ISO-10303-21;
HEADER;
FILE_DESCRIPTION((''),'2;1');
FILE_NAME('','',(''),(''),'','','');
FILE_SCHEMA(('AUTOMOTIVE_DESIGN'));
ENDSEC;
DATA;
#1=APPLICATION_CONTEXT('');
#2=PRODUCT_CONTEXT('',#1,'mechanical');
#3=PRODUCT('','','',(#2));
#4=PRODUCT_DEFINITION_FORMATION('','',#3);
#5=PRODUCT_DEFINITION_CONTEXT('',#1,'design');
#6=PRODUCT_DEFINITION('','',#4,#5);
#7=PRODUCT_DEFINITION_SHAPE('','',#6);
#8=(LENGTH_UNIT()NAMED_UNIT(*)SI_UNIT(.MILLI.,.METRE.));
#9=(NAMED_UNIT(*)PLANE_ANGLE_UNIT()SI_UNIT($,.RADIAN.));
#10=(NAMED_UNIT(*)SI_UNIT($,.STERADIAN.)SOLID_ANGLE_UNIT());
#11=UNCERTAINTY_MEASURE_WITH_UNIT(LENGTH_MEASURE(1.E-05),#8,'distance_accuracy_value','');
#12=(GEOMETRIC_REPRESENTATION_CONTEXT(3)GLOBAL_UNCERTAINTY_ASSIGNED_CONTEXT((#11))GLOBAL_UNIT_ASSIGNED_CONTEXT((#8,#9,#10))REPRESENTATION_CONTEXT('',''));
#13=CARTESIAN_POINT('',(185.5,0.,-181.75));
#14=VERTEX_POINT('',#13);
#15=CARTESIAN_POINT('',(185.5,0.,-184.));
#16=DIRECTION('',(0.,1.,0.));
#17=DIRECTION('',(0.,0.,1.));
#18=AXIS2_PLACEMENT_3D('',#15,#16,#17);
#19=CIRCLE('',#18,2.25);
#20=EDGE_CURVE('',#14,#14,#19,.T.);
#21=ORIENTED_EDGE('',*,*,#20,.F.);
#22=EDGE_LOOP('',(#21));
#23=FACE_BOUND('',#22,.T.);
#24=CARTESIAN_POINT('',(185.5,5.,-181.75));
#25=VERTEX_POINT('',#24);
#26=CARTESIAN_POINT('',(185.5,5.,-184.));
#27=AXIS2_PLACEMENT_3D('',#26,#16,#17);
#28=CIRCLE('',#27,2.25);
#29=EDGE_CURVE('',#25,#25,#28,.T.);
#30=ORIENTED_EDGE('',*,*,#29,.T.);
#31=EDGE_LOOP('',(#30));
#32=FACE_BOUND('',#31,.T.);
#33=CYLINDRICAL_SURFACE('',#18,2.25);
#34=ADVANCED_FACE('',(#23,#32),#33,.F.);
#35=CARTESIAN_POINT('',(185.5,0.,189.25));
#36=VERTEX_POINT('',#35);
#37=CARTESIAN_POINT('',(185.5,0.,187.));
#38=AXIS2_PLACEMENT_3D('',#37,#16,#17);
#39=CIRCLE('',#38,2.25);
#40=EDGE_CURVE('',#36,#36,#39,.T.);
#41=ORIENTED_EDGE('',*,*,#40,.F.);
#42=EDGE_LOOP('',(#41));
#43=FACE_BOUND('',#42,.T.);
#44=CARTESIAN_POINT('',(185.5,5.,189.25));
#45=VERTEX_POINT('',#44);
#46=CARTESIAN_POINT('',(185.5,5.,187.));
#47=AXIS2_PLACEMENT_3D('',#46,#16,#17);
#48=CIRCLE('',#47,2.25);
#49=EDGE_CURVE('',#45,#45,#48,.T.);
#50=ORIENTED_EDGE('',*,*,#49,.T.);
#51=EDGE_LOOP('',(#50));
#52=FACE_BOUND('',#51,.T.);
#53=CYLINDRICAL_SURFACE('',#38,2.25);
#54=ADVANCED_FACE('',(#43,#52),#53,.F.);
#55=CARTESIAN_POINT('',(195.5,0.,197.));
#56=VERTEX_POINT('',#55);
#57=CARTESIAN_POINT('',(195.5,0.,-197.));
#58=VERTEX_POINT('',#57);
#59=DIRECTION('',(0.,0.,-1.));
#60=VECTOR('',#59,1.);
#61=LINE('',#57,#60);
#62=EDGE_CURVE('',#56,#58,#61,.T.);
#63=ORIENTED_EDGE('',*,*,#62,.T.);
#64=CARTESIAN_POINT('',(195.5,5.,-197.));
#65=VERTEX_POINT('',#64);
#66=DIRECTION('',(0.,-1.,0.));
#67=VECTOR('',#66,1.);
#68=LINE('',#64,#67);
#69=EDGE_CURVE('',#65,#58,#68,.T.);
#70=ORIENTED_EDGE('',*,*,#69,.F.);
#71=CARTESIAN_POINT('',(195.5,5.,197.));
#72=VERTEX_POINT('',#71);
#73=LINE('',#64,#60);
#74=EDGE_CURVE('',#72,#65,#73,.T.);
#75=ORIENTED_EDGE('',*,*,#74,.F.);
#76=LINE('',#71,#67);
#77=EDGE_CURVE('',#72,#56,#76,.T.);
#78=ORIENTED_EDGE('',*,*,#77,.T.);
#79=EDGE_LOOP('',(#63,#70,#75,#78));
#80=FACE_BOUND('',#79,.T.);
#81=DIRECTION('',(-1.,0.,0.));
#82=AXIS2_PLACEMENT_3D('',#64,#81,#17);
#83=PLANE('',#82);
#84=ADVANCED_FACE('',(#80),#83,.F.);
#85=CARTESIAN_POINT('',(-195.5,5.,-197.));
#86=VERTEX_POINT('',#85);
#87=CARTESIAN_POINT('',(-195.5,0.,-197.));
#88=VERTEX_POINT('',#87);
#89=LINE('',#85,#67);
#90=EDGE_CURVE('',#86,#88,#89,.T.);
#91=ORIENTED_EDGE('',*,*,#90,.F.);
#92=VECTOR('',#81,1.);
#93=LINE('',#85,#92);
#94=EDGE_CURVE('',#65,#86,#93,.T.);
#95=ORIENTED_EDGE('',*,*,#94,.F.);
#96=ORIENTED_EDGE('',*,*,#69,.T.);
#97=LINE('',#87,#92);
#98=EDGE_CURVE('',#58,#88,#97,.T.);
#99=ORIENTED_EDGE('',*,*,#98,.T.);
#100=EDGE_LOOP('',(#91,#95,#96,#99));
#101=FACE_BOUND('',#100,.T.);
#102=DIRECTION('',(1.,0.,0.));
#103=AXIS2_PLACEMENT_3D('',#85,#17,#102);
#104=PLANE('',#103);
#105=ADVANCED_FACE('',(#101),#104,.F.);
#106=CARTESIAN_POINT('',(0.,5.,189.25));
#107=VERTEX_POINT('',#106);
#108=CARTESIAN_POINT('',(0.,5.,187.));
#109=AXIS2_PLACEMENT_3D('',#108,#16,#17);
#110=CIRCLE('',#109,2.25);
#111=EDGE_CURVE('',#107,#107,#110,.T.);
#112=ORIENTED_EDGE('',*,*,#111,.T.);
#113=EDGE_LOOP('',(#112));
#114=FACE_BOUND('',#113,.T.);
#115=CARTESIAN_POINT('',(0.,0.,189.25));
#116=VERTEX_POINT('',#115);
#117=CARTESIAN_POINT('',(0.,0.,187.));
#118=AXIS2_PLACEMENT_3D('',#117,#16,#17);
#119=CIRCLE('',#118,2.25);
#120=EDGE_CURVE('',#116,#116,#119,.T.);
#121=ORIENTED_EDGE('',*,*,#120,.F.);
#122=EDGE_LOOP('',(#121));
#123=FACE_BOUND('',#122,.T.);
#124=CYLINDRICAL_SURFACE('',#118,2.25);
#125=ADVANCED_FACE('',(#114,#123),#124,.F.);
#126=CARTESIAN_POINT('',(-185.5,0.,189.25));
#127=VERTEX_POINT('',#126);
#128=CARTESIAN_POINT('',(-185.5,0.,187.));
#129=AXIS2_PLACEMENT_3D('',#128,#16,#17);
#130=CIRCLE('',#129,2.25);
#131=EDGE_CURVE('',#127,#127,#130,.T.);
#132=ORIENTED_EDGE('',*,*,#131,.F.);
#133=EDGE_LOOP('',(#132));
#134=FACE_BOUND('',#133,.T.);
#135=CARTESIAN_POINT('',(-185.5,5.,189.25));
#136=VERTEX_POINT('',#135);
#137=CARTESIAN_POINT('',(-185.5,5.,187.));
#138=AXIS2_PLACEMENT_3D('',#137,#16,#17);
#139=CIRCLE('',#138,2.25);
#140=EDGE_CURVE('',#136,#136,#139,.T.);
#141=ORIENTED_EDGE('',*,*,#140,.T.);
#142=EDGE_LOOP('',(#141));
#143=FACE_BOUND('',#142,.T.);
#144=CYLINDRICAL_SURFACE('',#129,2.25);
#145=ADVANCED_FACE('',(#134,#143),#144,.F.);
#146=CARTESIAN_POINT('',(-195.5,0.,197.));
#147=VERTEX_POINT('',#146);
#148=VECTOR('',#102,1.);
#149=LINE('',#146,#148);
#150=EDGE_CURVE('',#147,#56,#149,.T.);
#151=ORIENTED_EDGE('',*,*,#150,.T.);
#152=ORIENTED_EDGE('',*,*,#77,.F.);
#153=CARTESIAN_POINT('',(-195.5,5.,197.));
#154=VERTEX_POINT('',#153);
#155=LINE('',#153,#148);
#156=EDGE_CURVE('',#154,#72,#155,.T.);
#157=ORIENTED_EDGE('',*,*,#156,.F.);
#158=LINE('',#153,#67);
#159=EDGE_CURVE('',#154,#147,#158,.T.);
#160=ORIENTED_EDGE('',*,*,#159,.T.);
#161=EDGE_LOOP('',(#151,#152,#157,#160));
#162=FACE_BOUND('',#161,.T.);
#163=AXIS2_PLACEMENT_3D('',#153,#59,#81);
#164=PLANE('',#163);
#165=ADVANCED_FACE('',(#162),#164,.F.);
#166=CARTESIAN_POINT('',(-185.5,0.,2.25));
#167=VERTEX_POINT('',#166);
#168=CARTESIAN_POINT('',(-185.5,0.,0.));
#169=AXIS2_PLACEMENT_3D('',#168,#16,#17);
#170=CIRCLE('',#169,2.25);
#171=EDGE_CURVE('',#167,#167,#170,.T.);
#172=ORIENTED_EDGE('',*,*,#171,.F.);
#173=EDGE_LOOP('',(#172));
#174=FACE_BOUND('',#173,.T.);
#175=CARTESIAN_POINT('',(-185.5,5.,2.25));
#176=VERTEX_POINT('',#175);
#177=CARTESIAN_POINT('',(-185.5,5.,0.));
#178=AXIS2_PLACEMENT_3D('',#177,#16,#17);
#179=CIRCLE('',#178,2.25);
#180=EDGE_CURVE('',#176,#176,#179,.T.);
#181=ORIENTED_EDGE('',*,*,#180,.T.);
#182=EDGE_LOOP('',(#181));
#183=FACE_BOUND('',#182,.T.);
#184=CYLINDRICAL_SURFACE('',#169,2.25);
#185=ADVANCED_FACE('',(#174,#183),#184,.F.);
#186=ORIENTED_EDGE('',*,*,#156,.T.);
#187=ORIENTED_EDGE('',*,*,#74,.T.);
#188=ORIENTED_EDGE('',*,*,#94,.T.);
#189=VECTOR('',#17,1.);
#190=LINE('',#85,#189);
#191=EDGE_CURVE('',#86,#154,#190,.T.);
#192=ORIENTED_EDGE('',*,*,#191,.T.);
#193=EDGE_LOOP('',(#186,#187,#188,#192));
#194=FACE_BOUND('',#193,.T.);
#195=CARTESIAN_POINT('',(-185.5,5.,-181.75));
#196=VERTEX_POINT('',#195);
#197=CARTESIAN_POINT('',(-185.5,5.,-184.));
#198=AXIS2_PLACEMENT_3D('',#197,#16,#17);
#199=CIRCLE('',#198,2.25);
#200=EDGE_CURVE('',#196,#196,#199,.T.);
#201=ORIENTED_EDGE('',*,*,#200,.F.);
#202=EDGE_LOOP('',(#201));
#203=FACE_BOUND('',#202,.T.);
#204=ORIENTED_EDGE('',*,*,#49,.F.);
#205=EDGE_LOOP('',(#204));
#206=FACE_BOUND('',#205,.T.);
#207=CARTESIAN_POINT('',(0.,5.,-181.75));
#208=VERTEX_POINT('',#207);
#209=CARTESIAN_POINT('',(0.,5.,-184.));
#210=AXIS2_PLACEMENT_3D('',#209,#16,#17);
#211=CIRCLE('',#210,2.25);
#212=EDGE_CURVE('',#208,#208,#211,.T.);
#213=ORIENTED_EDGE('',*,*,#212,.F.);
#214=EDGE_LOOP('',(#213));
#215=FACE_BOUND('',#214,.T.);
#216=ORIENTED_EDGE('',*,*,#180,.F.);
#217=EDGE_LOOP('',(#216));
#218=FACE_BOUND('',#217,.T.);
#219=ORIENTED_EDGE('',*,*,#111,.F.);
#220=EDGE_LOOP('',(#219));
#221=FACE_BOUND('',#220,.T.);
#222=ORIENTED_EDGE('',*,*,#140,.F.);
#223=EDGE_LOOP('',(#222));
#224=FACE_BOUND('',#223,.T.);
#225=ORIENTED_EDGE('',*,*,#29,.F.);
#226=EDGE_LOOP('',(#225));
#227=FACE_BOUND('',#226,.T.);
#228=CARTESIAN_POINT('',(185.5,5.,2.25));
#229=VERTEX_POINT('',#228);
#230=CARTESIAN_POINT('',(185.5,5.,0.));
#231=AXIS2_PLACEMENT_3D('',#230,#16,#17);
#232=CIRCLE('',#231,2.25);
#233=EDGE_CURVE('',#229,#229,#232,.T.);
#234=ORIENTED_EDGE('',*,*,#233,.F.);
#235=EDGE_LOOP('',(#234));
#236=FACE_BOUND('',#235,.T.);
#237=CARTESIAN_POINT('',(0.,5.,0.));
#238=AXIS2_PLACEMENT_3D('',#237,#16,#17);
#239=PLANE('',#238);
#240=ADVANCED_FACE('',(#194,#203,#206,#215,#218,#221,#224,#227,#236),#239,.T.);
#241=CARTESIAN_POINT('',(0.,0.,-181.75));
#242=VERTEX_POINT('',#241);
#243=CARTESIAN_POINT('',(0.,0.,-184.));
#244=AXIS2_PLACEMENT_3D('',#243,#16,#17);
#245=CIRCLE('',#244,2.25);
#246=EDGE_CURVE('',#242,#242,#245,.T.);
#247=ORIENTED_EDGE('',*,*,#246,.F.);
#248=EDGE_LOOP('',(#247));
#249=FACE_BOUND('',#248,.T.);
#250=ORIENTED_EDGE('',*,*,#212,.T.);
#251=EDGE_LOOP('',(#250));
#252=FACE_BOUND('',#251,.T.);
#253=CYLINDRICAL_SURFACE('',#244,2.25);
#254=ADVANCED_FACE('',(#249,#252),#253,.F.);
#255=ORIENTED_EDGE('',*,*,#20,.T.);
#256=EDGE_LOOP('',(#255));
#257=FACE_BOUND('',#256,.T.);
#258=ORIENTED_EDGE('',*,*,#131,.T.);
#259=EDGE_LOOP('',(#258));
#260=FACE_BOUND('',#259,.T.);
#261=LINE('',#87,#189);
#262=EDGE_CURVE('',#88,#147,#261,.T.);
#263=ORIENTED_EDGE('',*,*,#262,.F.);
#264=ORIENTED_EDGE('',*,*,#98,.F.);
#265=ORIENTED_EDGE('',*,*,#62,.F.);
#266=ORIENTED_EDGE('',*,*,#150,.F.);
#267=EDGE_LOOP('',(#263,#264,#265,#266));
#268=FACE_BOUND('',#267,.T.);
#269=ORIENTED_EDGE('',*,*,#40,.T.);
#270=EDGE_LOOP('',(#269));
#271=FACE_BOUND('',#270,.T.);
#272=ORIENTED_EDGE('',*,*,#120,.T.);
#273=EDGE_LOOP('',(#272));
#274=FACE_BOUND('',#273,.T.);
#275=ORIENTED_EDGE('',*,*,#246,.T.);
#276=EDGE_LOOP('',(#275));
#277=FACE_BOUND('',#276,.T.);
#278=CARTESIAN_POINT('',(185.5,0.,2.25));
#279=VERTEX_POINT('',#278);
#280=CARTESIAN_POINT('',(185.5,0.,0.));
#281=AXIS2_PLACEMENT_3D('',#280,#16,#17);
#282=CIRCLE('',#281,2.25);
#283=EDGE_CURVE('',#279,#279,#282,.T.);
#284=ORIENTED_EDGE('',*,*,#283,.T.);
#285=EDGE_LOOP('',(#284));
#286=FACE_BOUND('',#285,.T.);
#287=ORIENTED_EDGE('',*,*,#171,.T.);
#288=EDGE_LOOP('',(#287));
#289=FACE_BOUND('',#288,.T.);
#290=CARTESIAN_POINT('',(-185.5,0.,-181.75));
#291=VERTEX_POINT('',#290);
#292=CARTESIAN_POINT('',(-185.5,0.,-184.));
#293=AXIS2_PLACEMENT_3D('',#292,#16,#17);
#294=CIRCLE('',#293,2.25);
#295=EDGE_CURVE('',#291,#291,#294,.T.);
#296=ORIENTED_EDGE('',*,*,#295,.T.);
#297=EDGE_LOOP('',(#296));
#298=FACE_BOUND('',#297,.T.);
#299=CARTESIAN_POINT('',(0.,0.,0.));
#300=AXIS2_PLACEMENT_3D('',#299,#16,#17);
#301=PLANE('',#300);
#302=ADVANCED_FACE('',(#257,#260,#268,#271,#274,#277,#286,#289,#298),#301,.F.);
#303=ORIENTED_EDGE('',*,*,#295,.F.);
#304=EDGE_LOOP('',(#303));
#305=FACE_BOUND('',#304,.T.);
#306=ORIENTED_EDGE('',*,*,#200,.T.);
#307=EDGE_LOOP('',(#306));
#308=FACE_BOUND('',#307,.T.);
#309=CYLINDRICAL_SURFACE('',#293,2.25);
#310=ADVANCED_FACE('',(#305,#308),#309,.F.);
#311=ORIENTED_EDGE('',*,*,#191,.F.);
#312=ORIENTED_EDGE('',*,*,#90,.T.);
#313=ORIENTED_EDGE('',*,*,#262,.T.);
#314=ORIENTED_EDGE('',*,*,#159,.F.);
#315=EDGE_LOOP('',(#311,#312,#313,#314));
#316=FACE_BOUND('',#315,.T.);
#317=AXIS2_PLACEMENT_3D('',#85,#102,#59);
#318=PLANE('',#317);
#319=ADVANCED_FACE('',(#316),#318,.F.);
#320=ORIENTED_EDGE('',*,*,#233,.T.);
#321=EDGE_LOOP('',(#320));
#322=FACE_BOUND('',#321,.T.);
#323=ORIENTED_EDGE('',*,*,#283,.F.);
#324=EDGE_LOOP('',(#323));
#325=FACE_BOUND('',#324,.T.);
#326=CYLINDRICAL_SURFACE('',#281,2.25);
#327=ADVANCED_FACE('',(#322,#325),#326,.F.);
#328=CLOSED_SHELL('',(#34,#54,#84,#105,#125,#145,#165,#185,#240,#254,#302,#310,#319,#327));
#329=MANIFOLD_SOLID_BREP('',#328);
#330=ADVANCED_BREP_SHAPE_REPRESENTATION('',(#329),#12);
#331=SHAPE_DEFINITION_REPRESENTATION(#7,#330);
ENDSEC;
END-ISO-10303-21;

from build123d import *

# Parameters (mm, degrees)
SKETCH_1_W          = 391
SKETCH_1_H          = 394
EXTRUDE_1_DEPTH     = 5
SKETCH_2_R          = 2.25
CUT_EXTRUDE_1_DEPTH = 278.586473013


with BuildPart() as part:
    # 草圖1 → 填料-伸長1 (new body)
    with BuildSketch(Plane(origin=(0, 0, 0), x_dir=(1, 0, 0), z_dir=(0, 1, 0))):
        Rectangle(SKETCH_1_W, SKETCH_1_H)
    extrude(amount=EXTRUDE_1_DEPTH)

    # 草圖2 → 除料-伸長1 (cut, through all)
    with BuildSketch(Plane(origin=(0, 5, 0), x_dir=(1, 0, 0), z_dir=(0, 1, 0))):
        with Locations(Location((-185.5, 184, 0), (0, 0, 270))):
            Circle(SKETCH_2_R)
        with Locations(Location((185.5, 184, 0), (0, 0, 270))):
            Circle(SKETCH_2_R)
        with Locations(Location((-185.5, -187, 0), (0, 0, 270))):
            Circle(SKETCH_2_R)
        with Locations(Location((185.5, -187, 0), (0, 0, 270))):
            Circle(SKETCH_2_R)
        with Locations(Location((185.5, 0, 0), (0, 0, 270))):
            Circle(SKETCH_2_R)
        with Locations(Location((-185.5, 0, 0), (0, 0, 270))):
            Circle(SKETCH_2_R)
        with Locations(Location((0, 184, 0), (0, 0, 270))):
            Circle(SKETCH_2_R)
        with Locations(Location((0, -187, 0), (0, 0, 270))):
            Circle(SKETCH_2_R)
    extrude(amount=-CUT_EXTRUDE_1_DEPTH, mode=Mode.SUBTRACT)


solid = part.part
